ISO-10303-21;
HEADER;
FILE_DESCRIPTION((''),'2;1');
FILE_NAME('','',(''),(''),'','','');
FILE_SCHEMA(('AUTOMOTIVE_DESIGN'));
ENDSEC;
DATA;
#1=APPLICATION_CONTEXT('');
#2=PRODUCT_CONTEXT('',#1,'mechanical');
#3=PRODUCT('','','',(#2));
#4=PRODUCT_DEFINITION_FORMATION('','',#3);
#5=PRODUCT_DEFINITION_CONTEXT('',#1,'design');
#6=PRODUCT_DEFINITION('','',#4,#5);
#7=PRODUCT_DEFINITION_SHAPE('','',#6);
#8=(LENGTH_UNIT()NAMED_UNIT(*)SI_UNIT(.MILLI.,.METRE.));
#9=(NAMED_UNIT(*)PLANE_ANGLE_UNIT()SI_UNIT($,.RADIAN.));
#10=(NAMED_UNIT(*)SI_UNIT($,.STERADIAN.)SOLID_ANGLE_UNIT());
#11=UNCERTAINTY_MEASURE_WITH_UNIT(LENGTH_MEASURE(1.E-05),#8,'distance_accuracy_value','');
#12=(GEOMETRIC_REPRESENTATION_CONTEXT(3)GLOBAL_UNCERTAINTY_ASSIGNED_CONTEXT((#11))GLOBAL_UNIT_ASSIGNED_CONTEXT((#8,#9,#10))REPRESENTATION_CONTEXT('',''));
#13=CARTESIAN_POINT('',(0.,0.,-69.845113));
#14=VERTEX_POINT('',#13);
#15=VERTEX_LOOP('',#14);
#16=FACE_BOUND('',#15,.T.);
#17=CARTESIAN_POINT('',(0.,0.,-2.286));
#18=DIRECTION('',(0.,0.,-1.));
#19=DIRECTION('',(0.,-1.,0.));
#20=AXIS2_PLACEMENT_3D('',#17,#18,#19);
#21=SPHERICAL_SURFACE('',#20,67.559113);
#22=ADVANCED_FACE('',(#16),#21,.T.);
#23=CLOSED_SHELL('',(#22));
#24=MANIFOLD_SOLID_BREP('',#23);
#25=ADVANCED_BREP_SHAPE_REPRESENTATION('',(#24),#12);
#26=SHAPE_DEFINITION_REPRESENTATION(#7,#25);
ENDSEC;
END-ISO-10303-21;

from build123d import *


with BuildPart() as f1:
    # F0 (on Right) → F1 (revolve)
    with BuildSketch(Plane.YZ):
        with BuildLine():
            Line((0, -69.845113), (0, 65.273113))
            ThreePointArc((0, 65.273113), (-67.559113, -2.286), (0, -69.845113))
        make_face()
    revolve(axis=Axis((0, 0, -2.286), (0, 0, -1)))


solid = f1.part
